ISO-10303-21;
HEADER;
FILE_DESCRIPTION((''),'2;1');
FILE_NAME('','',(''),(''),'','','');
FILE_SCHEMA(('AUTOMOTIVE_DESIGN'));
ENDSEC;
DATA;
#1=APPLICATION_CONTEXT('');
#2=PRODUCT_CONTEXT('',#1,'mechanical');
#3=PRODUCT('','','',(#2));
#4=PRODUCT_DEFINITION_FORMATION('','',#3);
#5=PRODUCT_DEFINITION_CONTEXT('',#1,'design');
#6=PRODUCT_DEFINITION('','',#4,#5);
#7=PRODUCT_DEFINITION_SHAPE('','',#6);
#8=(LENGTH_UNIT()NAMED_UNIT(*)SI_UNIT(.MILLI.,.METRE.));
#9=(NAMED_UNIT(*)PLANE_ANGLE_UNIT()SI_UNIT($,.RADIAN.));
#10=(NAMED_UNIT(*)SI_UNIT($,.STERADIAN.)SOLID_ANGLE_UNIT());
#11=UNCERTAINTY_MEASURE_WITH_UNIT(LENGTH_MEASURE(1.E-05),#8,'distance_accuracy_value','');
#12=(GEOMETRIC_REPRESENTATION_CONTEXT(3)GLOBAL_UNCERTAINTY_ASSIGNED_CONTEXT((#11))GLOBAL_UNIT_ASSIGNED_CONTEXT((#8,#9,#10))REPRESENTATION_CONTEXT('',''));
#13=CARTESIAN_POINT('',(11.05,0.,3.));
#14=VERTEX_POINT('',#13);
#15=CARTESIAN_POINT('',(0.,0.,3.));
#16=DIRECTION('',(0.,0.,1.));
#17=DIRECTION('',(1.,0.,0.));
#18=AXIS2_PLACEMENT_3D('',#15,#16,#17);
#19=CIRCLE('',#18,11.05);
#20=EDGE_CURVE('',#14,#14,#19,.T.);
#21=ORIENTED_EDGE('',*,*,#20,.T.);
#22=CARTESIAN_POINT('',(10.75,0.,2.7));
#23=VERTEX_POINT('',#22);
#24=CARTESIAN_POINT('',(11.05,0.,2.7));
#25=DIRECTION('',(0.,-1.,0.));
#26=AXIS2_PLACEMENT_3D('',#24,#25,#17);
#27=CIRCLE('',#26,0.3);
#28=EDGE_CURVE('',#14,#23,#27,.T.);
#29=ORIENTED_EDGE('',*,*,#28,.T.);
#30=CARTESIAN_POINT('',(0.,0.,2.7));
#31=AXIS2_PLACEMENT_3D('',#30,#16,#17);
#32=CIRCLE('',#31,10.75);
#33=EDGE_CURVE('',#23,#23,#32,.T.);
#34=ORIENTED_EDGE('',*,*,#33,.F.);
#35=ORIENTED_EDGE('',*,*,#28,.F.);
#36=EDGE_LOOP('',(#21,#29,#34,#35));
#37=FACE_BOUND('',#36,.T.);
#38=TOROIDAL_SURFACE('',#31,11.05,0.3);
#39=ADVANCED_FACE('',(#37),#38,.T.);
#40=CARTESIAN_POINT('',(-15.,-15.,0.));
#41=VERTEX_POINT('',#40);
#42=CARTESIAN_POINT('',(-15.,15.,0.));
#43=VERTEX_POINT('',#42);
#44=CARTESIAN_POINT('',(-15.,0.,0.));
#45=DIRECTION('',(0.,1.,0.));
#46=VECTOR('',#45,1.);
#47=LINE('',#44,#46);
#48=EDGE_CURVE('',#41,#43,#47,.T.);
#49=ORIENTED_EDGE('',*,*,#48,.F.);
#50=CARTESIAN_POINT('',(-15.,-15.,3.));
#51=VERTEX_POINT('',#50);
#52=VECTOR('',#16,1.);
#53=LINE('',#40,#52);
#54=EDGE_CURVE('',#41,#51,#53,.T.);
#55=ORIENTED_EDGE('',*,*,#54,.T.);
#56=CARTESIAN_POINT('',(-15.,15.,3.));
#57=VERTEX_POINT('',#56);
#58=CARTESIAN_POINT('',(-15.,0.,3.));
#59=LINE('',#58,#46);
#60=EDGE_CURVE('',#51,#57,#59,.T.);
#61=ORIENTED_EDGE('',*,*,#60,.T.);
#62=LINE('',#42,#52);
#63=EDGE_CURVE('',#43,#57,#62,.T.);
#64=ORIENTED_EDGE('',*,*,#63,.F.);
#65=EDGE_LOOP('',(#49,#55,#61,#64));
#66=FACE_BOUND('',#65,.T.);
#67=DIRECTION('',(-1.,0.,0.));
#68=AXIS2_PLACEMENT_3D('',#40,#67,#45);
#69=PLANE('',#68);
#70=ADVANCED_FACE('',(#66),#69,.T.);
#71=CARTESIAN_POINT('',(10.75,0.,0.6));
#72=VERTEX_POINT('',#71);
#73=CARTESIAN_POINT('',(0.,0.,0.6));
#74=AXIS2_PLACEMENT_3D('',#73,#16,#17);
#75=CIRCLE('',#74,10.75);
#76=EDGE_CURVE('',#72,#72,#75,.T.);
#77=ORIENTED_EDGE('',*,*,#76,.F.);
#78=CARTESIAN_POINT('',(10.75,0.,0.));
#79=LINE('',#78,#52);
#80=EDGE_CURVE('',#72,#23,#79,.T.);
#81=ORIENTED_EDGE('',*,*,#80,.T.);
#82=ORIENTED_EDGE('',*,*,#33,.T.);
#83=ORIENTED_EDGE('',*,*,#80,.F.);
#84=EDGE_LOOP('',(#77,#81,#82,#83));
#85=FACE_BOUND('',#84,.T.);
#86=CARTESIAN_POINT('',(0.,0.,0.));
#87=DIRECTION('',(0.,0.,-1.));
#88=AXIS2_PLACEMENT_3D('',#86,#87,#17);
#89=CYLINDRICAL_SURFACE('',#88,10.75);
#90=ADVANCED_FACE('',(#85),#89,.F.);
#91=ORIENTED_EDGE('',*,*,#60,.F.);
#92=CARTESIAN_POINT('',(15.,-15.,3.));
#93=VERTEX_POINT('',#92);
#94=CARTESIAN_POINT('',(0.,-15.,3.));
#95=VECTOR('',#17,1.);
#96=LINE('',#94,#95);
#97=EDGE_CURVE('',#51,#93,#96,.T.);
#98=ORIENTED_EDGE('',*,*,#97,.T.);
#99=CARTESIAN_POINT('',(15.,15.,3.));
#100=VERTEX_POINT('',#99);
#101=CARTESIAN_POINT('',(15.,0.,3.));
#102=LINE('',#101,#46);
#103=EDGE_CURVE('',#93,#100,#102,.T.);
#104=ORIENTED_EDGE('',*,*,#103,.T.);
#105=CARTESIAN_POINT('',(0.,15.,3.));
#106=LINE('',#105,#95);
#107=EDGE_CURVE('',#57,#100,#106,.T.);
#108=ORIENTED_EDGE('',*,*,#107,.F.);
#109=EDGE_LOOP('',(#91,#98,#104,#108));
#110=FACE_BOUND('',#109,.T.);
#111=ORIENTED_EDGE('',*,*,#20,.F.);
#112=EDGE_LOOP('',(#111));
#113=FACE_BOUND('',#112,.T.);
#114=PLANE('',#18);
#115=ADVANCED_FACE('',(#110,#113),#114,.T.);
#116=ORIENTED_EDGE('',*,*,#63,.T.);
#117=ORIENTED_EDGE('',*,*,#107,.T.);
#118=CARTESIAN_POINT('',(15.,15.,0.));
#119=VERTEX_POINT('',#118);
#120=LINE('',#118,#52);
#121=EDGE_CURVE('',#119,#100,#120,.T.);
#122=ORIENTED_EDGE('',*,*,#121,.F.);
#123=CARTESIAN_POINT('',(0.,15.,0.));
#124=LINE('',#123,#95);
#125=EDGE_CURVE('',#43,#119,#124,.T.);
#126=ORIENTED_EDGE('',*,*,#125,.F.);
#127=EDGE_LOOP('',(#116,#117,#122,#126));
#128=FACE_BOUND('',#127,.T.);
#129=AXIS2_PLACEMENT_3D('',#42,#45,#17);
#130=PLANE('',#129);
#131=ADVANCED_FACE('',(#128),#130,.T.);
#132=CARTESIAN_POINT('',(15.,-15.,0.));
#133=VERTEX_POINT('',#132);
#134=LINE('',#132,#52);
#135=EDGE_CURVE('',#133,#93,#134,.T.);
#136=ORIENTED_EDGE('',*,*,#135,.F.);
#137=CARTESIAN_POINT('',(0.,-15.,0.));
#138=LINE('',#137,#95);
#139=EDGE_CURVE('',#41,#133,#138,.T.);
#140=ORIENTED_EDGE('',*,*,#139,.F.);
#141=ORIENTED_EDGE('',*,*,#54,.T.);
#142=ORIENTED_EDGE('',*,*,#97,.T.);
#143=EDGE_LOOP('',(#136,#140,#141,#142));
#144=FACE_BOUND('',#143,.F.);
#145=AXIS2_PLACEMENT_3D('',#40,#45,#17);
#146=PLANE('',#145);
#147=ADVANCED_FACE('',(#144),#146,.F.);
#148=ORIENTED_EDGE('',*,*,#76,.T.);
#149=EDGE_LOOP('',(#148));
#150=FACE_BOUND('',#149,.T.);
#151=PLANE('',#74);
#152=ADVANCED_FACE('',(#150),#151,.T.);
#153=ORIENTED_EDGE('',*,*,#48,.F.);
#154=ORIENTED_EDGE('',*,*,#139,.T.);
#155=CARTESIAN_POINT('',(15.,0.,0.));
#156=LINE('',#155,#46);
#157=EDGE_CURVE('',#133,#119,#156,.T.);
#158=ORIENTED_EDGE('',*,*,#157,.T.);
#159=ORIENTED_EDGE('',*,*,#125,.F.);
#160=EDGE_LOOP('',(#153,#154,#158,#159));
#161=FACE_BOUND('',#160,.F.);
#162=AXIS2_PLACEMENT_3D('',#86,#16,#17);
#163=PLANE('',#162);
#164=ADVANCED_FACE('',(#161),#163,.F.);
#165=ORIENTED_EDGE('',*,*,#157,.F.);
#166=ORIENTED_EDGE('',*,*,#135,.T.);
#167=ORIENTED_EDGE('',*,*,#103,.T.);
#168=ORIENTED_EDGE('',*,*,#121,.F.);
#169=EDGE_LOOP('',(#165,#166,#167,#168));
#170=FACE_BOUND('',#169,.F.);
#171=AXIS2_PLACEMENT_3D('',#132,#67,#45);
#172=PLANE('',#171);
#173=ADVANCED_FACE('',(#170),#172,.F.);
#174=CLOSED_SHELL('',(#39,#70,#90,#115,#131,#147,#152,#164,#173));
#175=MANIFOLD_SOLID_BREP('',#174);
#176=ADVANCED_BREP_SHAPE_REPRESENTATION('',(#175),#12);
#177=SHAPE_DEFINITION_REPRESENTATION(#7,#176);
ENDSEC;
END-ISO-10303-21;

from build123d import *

# Parameters (mm, degrees)
F0_W     = 30
F0_H     = 30
F0_R     = 10.75
F1_DEPTH = 3
F2_DEPTH = 0.6
F3_R     = 0.3


with BuildPart() as f1:
    # F0 (on Top) → F1 (new body)
    with BuildSketch(Plane.XY):
        Rectangle(F0_W, F0_H)
        Circle(F0_R, mode=Mode.SUBTRACT)
    extrude(amount=F1_DEPTH)

    # F0 (on Top) → F2 (join)
    with BuildSketch(Plane.XY):
        Circle(F0_R)
    extrude(amount=F2_DEPTH)

    # F3
    f3_edges = [f1.edges().sort_by_distance(p)[0] for p in [
        (-10.75, 0, 3),
    ]]
    fillet(f3_edges, radius=F3_R)


solid = f1.part
